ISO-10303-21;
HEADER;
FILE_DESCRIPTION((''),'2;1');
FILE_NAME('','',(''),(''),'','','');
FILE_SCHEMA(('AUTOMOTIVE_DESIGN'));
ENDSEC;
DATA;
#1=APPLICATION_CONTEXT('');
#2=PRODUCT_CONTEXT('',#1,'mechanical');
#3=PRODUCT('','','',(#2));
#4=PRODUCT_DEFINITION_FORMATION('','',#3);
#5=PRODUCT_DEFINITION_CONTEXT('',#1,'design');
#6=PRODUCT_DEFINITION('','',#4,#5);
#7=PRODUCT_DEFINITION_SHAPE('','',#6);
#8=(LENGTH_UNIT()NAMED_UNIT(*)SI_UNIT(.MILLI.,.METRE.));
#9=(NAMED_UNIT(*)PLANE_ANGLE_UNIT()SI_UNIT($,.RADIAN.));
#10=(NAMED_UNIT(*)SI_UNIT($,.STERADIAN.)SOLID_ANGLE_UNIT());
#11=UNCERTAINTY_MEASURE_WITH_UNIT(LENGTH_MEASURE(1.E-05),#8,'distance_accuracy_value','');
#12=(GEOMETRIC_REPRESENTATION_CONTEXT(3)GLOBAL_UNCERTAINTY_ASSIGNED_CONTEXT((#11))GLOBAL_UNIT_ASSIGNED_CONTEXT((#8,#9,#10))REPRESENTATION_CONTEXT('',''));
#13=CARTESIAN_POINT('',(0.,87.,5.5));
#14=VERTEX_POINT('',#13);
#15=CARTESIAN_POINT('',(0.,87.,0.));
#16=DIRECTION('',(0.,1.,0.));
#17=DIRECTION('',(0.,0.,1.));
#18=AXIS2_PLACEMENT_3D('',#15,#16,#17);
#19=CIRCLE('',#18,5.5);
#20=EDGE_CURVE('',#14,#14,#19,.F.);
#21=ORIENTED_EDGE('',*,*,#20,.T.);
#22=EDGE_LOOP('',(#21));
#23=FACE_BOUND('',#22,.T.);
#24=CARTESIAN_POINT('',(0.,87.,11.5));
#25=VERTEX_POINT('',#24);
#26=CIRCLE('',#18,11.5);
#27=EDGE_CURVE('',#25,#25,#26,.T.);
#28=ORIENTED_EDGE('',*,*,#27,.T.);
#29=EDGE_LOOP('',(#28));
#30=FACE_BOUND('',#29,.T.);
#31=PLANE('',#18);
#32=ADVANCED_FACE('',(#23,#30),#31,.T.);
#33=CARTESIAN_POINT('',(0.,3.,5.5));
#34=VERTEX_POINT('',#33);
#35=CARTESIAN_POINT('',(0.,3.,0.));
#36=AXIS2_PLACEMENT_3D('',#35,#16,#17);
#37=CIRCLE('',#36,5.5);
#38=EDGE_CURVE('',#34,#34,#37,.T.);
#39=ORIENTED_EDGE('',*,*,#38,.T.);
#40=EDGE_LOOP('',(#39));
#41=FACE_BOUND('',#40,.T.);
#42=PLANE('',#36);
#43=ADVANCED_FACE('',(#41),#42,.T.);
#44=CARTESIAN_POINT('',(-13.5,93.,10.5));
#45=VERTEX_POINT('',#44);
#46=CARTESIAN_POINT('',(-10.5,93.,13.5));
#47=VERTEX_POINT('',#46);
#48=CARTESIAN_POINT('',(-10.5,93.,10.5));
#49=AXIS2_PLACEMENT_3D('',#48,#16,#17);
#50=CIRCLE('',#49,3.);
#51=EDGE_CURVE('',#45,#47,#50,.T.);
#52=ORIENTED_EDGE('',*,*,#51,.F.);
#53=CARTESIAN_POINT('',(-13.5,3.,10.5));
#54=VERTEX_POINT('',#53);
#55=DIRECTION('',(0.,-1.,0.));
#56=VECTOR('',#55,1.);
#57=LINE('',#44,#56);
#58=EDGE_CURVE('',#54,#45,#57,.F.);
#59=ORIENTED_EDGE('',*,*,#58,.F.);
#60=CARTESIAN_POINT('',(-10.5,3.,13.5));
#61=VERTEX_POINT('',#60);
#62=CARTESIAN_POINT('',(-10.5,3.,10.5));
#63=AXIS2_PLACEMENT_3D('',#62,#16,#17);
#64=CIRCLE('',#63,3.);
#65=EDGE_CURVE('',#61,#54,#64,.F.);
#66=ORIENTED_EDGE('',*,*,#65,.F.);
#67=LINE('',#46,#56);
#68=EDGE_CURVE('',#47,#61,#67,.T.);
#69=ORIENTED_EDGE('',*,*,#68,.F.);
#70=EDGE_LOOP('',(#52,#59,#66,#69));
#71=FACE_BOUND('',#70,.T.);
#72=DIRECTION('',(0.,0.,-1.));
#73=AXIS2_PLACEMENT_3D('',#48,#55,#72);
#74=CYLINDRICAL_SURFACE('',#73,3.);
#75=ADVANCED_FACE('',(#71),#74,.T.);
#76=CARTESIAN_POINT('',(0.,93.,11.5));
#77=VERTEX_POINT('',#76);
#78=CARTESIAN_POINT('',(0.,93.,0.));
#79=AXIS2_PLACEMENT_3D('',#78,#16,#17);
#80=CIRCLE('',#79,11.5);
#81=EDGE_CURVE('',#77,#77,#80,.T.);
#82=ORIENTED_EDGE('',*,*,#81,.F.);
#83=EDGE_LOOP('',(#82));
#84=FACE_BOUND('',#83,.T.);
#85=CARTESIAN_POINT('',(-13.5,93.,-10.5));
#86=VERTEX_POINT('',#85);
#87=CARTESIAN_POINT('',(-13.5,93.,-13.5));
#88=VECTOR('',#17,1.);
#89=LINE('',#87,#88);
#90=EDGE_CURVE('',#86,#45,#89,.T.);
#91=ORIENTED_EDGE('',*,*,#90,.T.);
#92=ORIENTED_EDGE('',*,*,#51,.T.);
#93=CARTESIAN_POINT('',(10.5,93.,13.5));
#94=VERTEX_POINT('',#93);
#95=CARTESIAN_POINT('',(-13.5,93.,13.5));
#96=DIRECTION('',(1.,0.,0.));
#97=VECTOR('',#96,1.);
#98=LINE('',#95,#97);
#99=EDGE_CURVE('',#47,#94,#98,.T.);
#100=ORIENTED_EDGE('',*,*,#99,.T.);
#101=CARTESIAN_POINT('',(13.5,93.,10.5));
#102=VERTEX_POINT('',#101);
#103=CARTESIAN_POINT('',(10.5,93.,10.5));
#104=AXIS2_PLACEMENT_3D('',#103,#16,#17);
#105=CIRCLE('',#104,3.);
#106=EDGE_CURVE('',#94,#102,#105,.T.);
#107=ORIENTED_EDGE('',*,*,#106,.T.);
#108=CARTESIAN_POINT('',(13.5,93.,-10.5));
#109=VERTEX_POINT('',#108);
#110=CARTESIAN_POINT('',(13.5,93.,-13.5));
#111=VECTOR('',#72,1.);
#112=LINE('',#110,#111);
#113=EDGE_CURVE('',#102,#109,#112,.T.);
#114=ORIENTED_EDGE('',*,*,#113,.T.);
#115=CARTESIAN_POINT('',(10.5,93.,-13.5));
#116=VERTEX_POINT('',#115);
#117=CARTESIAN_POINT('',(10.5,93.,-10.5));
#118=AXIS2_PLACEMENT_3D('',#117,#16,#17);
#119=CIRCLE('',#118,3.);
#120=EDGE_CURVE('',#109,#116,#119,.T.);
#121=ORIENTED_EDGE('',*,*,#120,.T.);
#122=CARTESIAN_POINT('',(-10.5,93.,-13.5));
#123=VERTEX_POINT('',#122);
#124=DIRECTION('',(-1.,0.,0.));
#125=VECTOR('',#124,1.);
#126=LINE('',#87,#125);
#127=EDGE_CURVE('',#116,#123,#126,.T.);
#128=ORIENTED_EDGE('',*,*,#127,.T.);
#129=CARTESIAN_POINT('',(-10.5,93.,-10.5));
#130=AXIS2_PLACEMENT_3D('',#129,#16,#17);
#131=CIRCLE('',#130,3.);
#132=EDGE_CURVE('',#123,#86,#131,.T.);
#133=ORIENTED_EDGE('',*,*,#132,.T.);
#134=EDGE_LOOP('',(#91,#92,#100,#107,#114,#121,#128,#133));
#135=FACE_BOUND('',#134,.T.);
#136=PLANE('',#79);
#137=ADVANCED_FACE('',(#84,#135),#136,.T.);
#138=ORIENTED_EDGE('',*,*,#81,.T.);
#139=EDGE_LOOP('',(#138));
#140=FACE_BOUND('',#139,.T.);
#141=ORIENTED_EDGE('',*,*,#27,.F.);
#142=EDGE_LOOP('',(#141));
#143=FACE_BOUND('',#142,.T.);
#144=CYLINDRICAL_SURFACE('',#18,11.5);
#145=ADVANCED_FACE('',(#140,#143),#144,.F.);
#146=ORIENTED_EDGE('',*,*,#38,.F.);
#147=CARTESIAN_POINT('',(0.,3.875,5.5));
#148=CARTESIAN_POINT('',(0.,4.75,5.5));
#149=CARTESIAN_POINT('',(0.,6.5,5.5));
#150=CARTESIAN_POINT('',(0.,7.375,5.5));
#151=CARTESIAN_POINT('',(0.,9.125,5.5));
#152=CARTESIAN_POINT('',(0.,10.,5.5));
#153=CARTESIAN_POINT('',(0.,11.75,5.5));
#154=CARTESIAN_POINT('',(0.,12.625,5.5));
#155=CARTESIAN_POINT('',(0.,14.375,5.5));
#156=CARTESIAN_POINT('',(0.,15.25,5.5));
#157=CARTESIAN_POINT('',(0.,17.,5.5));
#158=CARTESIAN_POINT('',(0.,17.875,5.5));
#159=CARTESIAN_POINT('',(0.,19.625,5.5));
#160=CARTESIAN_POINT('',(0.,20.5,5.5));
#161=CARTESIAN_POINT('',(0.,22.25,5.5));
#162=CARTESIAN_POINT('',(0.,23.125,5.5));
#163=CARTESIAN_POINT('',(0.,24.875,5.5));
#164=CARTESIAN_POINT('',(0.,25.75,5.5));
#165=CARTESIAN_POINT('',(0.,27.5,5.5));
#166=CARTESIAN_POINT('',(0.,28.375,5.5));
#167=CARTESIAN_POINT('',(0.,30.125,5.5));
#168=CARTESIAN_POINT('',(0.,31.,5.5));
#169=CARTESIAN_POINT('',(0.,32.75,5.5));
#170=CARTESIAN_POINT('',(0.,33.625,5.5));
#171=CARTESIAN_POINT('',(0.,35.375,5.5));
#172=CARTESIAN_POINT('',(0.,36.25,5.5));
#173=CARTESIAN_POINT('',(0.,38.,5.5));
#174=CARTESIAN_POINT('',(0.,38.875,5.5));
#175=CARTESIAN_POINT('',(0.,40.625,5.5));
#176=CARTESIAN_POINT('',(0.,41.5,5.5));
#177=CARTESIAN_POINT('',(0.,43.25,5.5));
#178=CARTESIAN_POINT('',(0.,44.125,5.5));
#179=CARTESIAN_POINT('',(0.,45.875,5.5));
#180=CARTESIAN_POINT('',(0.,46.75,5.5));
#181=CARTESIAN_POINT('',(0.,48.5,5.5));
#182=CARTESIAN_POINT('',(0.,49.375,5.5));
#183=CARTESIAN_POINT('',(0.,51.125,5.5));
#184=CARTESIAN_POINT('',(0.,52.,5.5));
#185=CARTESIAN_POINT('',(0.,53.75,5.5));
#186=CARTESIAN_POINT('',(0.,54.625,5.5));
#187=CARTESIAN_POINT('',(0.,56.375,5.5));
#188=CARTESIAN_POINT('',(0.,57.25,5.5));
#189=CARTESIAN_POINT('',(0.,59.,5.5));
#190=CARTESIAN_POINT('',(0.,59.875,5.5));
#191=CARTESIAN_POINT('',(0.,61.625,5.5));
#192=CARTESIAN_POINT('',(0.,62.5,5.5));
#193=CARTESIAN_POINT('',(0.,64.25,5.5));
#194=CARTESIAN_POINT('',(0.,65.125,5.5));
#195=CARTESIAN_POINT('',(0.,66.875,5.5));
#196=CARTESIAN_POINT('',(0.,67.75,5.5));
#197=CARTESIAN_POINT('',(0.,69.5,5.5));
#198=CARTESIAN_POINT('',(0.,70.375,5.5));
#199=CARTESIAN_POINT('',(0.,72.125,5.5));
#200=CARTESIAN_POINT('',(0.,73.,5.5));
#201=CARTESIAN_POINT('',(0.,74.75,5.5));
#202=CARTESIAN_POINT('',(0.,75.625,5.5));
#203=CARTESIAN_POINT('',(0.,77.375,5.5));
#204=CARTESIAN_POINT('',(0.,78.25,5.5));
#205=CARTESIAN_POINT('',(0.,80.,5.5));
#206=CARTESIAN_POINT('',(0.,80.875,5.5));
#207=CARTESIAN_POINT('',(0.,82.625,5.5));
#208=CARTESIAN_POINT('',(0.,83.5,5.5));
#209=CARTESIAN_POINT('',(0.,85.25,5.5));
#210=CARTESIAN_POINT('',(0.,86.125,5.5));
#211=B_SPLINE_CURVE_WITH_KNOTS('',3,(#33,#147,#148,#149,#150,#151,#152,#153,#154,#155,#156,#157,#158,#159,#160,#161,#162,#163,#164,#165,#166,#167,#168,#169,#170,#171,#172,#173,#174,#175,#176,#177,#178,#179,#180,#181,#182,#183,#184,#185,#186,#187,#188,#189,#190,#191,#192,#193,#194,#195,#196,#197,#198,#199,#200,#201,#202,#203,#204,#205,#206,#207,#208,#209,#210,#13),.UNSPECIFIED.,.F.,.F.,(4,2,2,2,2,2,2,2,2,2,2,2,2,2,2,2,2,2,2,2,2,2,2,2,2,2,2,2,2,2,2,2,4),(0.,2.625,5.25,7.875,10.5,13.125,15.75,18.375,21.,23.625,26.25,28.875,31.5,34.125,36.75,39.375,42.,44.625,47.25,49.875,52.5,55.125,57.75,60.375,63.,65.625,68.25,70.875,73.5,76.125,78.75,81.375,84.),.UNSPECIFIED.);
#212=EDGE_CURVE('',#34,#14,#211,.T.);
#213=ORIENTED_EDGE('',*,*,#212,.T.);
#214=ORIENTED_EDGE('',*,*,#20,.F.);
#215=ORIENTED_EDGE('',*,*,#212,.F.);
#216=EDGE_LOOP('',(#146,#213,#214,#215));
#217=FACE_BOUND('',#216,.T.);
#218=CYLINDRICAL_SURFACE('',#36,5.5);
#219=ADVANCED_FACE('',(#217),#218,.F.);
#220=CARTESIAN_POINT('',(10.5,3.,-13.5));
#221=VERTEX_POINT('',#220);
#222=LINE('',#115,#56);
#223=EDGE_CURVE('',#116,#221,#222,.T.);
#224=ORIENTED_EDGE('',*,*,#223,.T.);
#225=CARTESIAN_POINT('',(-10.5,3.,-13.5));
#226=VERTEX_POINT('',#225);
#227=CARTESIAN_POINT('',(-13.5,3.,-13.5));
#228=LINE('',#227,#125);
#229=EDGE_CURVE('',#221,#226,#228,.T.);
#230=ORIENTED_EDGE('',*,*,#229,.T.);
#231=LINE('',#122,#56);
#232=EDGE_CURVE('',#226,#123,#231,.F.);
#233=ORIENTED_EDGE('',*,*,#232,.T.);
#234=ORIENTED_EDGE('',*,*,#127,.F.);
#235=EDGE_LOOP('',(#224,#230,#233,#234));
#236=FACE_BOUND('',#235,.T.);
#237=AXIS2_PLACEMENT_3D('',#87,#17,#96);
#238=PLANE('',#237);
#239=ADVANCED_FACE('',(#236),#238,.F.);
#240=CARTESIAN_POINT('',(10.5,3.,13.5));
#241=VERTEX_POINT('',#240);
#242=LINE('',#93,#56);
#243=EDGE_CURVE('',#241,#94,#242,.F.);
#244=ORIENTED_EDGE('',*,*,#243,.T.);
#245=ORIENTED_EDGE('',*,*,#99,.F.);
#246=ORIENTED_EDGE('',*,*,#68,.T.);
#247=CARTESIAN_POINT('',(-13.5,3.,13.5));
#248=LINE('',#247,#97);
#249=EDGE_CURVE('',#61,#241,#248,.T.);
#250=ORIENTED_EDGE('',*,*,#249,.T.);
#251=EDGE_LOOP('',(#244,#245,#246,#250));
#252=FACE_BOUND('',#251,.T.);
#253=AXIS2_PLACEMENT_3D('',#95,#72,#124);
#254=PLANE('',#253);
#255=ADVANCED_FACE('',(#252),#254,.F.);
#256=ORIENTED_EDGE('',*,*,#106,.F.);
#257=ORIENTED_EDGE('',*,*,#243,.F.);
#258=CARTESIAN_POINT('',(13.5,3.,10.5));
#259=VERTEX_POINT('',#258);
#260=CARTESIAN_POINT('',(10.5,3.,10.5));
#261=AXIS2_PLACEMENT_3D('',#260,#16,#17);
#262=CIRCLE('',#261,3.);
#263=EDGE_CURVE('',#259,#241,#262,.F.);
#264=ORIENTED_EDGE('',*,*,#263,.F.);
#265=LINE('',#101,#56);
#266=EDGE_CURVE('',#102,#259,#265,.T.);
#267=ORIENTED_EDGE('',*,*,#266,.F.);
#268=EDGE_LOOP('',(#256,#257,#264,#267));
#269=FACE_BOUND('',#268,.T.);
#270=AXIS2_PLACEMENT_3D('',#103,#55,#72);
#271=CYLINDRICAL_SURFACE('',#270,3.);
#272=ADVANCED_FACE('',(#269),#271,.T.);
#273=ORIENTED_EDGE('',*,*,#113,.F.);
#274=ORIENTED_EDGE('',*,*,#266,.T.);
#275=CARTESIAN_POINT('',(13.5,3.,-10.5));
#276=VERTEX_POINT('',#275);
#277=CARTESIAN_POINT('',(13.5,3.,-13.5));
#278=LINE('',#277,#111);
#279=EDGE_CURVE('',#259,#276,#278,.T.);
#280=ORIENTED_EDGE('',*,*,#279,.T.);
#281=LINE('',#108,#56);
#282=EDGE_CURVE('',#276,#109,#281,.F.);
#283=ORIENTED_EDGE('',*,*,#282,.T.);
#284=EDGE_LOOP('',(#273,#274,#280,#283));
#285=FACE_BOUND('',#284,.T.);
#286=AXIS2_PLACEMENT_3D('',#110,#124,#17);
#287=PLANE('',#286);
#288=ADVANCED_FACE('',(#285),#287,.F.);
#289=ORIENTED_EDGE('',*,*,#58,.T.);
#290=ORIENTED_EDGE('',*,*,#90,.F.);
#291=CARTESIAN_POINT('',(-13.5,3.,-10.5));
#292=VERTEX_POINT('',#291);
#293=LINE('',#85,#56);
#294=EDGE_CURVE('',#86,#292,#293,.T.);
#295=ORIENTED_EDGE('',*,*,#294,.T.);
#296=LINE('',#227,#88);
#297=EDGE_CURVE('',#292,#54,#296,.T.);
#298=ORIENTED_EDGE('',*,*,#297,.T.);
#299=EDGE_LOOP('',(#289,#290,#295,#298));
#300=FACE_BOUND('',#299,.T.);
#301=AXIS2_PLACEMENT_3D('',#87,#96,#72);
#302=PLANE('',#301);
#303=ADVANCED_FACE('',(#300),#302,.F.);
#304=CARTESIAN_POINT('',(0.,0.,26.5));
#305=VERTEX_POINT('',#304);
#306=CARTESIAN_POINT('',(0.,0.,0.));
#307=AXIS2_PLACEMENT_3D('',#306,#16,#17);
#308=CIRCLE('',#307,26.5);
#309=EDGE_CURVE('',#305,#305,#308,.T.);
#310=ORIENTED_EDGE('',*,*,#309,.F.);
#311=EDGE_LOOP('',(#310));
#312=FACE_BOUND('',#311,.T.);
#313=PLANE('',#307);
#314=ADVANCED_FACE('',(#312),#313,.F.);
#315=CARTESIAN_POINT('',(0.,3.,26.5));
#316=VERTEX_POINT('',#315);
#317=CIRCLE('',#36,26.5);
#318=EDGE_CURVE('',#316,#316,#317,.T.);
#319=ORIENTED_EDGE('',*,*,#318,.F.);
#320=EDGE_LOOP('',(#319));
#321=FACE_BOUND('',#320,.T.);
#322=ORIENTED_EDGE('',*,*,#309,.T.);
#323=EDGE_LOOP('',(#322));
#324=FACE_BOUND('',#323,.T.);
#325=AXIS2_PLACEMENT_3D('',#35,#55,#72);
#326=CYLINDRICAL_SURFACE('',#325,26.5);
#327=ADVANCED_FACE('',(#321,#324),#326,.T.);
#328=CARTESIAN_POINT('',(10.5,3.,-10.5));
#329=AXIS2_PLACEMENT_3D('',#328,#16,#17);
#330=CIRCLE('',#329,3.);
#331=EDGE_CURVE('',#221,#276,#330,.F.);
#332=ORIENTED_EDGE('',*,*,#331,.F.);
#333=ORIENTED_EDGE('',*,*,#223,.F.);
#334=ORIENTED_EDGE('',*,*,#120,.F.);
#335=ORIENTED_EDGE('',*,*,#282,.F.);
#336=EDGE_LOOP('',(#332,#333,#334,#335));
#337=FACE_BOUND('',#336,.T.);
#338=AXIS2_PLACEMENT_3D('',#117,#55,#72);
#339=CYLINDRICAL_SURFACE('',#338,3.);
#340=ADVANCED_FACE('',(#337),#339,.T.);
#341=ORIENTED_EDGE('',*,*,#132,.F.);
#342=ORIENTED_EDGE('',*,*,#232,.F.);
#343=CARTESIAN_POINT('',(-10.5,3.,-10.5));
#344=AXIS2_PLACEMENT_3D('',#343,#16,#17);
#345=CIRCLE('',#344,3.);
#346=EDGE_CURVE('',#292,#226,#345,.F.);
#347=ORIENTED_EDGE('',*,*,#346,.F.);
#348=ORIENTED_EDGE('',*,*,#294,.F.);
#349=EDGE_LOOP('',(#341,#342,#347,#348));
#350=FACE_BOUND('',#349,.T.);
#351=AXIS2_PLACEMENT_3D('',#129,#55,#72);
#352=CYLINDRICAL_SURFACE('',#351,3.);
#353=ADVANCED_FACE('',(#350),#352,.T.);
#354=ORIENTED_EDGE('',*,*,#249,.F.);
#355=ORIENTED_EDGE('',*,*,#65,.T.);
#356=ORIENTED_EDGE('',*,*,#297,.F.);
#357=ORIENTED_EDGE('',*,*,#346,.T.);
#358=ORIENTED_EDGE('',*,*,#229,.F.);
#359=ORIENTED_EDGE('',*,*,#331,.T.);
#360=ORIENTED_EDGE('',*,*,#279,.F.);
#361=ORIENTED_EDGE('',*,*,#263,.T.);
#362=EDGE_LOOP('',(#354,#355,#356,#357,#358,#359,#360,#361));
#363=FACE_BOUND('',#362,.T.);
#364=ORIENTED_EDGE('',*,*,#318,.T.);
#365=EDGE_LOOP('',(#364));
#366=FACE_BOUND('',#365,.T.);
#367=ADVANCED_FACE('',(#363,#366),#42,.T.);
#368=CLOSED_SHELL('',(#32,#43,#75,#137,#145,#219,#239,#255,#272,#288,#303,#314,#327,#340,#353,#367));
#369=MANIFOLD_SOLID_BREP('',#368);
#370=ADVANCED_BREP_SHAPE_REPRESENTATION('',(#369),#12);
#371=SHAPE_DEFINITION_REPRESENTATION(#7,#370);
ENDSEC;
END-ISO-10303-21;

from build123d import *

# Parameters (mm, degrees)
SKETCH1_R           = 26.5
BOSS_EXTRUDE1_DEPTH = 3
SKETCH10_W          = 27
SKETCH10_H          = 27
BOSS_EXTRUDE6_DEPTH = 90
SKETCH11_R          = 5.5
CUT_EXTRUDE3_DEPTH  = 90
SKETCH12_R          = 11.5
CUT_EXTRUDE4_DEPTH  = 6
FILLET2_R           = 3


with BuildPart() as part:
    # Sketch1 → Boss-Extrude1 (new body)
    with BuildSketch(Plane(origin=(0, 0, 0), x_dir=(1, 0, 0), z_dir=(0, 1, 0))):
        with Locations(Location((0, 0, 0), (0, 0, 270))):
            Circle(SKETCH1_R)
    extrude(amount=BOSS_EXTRUDE1_DEPTH)

    # Sketch10 → Boss-Extrude6 (add)
    with BuildSketch(Plane(origin=(0, 3, 0), x_dir=(1, 0, 0), z_dir=(0, 1, 0))):
        Rectangle(SKETCH10_W, SKETCH10_H)
    extrude(amount=BOSS_EXTRUDE6_DEPTH)

    # Sketch11 → Cut-Extrude3 (cut)
    with BuildSketch(Plane(origin=(0, 93, 0), x_dir=(1, 0, 0), z_dir=(0, 1, 0))):
        with Locations(Location((0, 0, 0), (0, 0, 270))):
            Circle(SKETCH11_R)
    extrude(amount=-CUT_EXTRUDE3_DEPTH, mode=Mode.SUBTRACT)

    # Sketch12 → Cut-Extrude4 (cut)
    with BuildSketch(Plane(origin=(0, 93, 0), x_dir=(1, 0, 0), z_dir=(0, 1, 0))):
        with Locations(Location((0, 0, 0), (0, 0, 270))):
            Circle(SKETCH12_R)
    extrude(amount=-CUT_EXTRUDE4_DEPTH, mode=Mode.SUBTRACT)

    # Fillet2
    fillet2_edges = [part.edges().sort_by_distance(p)[0] for p in [
        (13.5, 48, 13.5),
        (13.5, 48, -13.5),
        (-13.5, 48, -13.5),
        (-13.5, 48, 13.5),
    ]]
    fillet(fillet2_edges, radius=FILLET2_R)


solid = part.part
